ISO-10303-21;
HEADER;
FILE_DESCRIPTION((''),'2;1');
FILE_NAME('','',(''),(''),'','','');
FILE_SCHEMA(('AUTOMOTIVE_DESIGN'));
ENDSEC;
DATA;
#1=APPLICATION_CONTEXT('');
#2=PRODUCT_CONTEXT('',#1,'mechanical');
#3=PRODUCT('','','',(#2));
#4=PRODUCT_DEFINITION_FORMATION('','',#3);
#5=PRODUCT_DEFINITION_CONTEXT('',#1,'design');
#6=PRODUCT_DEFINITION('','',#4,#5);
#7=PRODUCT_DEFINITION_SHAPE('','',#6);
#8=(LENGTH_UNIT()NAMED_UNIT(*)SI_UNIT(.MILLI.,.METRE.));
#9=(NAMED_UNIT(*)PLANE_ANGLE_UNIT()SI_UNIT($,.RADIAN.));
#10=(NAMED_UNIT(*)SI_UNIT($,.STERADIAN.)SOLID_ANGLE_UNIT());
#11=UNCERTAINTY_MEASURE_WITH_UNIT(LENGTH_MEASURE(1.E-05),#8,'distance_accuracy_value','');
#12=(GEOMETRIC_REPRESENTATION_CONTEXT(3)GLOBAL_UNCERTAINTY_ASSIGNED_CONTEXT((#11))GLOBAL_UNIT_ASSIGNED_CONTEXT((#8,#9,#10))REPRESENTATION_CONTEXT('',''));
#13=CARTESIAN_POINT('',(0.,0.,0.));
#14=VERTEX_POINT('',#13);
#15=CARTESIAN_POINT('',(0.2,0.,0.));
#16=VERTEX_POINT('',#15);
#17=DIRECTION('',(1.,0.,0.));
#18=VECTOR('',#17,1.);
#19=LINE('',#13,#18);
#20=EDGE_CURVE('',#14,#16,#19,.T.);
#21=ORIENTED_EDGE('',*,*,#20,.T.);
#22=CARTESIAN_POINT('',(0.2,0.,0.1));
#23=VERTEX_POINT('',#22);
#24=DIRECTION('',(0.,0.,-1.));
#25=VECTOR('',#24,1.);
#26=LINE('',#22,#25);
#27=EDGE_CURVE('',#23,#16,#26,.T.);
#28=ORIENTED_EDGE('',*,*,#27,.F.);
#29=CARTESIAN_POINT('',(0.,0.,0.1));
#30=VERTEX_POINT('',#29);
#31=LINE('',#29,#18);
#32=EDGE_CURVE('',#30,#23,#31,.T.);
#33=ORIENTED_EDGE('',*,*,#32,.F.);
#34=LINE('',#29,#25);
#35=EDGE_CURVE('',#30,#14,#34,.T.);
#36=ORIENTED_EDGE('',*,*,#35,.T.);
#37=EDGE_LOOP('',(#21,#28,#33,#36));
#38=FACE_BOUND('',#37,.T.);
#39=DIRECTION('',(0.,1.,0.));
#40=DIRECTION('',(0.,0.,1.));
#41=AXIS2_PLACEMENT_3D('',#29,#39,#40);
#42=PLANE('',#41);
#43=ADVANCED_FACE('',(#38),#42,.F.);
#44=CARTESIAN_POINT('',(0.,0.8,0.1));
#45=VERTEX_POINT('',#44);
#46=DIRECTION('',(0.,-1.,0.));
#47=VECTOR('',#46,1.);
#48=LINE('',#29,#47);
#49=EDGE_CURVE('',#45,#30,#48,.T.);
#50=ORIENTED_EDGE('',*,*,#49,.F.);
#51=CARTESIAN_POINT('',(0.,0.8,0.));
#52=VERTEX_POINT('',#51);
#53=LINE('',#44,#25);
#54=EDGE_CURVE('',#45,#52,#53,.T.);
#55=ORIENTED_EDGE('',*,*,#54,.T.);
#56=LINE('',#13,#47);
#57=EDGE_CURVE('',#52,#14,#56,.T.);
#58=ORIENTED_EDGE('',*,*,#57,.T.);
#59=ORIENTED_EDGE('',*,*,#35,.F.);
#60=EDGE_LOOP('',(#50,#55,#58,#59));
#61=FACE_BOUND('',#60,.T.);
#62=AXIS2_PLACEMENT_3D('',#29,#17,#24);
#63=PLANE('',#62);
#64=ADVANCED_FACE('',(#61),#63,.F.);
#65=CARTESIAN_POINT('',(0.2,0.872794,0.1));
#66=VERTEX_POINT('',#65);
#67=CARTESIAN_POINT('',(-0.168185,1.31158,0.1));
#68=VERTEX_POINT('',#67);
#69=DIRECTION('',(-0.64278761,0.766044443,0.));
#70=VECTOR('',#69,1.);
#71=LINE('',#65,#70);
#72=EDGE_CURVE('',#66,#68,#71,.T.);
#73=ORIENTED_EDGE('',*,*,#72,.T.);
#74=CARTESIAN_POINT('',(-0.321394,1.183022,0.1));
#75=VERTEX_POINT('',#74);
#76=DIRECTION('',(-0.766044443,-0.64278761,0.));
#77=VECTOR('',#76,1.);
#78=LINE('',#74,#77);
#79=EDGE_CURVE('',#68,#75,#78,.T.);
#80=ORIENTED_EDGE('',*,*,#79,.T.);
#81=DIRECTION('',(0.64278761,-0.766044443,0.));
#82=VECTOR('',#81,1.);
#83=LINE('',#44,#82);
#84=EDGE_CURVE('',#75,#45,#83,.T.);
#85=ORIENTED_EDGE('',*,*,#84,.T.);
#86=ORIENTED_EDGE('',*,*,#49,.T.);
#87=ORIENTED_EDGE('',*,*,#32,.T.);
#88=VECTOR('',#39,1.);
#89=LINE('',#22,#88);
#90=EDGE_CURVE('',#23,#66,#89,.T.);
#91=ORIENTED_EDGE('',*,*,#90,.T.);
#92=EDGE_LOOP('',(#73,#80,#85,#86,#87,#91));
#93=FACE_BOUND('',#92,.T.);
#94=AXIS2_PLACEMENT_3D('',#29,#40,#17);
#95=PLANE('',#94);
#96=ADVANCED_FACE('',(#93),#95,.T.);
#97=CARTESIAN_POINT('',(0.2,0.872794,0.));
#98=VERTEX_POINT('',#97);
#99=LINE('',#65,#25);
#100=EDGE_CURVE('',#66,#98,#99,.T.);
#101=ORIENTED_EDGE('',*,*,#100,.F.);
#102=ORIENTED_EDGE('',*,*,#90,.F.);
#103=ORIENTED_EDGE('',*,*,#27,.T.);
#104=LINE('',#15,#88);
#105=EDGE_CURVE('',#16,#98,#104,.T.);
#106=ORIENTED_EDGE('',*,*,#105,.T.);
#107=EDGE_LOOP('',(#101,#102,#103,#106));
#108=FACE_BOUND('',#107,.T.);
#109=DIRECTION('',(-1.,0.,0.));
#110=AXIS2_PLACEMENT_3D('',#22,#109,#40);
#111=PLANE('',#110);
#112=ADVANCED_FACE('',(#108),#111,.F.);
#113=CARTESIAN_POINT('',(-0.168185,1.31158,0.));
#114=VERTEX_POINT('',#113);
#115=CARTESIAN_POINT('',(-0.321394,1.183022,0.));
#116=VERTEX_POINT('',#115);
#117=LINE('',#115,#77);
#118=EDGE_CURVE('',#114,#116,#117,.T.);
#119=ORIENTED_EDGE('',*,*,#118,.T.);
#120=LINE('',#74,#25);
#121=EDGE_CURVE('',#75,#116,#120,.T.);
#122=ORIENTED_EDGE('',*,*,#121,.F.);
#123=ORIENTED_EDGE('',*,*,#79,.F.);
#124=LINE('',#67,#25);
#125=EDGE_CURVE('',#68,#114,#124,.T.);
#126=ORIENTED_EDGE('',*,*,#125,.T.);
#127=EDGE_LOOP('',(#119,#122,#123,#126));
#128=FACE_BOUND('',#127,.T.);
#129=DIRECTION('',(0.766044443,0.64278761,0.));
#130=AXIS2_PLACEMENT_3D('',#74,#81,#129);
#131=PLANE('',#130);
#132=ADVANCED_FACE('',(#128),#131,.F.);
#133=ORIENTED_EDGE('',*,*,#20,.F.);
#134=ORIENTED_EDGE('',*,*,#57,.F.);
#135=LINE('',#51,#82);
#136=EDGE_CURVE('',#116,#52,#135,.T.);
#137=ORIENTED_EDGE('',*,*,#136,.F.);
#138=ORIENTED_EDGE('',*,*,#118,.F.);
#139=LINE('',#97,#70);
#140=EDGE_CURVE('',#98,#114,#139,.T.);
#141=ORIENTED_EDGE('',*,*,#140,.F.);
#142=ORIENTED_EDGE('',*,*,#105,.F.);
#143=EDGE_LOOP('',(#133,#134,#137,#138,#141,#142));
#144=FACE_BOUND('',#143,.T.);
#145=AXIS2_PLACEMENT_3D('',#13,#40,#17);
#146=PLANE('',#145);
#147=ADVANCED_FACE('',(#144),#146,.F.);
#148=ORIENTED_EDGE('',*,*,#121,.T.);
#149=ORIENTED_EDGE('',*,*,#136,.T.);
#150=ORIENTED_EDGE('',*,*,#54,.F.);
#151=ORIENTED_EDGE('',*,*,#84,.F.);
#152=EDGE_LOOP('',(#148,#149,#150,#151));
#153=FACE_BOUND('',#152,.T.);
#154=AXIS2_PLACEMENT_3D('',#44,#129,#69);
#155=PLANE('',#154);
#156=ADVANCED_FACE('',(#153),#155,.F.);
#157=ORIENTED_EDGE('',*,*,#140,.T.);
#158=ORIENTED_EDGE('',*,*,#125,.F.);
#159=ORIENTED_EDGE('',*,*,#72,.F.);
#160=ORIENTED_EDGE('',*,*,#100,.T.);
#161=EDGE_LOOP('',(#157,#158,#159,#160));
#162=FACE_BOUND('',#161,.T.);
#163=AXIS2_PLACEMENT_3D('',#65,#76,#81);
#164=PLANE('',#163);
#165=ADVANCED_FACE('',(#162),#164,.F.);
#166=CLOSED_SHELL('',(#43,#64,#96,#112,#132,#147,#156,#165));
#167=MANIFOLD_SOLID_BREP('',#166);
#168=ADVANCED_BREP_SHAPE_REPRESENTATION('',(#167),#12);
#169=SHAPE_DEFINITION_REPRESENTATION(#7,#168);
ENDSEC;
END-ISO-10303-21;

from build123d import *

# Parameters (mm, degrees)
EXTRUDE_1_DEPTH = 0.1


with BuildPart() as part:
    # 草圖1 → 填料-伸長1 (new body)
    with BuildSketch(Plane.XY):
        Polygon((0, 0), (0, 0.8), (-0.321393805, 1.183022222), (-0.168184916, 1.311579743), (0.2, 0.872794047), (0.2, 0), align=None)
    extrude(amount=EXTRUDE_1_DEPTH)


solid = part.part
